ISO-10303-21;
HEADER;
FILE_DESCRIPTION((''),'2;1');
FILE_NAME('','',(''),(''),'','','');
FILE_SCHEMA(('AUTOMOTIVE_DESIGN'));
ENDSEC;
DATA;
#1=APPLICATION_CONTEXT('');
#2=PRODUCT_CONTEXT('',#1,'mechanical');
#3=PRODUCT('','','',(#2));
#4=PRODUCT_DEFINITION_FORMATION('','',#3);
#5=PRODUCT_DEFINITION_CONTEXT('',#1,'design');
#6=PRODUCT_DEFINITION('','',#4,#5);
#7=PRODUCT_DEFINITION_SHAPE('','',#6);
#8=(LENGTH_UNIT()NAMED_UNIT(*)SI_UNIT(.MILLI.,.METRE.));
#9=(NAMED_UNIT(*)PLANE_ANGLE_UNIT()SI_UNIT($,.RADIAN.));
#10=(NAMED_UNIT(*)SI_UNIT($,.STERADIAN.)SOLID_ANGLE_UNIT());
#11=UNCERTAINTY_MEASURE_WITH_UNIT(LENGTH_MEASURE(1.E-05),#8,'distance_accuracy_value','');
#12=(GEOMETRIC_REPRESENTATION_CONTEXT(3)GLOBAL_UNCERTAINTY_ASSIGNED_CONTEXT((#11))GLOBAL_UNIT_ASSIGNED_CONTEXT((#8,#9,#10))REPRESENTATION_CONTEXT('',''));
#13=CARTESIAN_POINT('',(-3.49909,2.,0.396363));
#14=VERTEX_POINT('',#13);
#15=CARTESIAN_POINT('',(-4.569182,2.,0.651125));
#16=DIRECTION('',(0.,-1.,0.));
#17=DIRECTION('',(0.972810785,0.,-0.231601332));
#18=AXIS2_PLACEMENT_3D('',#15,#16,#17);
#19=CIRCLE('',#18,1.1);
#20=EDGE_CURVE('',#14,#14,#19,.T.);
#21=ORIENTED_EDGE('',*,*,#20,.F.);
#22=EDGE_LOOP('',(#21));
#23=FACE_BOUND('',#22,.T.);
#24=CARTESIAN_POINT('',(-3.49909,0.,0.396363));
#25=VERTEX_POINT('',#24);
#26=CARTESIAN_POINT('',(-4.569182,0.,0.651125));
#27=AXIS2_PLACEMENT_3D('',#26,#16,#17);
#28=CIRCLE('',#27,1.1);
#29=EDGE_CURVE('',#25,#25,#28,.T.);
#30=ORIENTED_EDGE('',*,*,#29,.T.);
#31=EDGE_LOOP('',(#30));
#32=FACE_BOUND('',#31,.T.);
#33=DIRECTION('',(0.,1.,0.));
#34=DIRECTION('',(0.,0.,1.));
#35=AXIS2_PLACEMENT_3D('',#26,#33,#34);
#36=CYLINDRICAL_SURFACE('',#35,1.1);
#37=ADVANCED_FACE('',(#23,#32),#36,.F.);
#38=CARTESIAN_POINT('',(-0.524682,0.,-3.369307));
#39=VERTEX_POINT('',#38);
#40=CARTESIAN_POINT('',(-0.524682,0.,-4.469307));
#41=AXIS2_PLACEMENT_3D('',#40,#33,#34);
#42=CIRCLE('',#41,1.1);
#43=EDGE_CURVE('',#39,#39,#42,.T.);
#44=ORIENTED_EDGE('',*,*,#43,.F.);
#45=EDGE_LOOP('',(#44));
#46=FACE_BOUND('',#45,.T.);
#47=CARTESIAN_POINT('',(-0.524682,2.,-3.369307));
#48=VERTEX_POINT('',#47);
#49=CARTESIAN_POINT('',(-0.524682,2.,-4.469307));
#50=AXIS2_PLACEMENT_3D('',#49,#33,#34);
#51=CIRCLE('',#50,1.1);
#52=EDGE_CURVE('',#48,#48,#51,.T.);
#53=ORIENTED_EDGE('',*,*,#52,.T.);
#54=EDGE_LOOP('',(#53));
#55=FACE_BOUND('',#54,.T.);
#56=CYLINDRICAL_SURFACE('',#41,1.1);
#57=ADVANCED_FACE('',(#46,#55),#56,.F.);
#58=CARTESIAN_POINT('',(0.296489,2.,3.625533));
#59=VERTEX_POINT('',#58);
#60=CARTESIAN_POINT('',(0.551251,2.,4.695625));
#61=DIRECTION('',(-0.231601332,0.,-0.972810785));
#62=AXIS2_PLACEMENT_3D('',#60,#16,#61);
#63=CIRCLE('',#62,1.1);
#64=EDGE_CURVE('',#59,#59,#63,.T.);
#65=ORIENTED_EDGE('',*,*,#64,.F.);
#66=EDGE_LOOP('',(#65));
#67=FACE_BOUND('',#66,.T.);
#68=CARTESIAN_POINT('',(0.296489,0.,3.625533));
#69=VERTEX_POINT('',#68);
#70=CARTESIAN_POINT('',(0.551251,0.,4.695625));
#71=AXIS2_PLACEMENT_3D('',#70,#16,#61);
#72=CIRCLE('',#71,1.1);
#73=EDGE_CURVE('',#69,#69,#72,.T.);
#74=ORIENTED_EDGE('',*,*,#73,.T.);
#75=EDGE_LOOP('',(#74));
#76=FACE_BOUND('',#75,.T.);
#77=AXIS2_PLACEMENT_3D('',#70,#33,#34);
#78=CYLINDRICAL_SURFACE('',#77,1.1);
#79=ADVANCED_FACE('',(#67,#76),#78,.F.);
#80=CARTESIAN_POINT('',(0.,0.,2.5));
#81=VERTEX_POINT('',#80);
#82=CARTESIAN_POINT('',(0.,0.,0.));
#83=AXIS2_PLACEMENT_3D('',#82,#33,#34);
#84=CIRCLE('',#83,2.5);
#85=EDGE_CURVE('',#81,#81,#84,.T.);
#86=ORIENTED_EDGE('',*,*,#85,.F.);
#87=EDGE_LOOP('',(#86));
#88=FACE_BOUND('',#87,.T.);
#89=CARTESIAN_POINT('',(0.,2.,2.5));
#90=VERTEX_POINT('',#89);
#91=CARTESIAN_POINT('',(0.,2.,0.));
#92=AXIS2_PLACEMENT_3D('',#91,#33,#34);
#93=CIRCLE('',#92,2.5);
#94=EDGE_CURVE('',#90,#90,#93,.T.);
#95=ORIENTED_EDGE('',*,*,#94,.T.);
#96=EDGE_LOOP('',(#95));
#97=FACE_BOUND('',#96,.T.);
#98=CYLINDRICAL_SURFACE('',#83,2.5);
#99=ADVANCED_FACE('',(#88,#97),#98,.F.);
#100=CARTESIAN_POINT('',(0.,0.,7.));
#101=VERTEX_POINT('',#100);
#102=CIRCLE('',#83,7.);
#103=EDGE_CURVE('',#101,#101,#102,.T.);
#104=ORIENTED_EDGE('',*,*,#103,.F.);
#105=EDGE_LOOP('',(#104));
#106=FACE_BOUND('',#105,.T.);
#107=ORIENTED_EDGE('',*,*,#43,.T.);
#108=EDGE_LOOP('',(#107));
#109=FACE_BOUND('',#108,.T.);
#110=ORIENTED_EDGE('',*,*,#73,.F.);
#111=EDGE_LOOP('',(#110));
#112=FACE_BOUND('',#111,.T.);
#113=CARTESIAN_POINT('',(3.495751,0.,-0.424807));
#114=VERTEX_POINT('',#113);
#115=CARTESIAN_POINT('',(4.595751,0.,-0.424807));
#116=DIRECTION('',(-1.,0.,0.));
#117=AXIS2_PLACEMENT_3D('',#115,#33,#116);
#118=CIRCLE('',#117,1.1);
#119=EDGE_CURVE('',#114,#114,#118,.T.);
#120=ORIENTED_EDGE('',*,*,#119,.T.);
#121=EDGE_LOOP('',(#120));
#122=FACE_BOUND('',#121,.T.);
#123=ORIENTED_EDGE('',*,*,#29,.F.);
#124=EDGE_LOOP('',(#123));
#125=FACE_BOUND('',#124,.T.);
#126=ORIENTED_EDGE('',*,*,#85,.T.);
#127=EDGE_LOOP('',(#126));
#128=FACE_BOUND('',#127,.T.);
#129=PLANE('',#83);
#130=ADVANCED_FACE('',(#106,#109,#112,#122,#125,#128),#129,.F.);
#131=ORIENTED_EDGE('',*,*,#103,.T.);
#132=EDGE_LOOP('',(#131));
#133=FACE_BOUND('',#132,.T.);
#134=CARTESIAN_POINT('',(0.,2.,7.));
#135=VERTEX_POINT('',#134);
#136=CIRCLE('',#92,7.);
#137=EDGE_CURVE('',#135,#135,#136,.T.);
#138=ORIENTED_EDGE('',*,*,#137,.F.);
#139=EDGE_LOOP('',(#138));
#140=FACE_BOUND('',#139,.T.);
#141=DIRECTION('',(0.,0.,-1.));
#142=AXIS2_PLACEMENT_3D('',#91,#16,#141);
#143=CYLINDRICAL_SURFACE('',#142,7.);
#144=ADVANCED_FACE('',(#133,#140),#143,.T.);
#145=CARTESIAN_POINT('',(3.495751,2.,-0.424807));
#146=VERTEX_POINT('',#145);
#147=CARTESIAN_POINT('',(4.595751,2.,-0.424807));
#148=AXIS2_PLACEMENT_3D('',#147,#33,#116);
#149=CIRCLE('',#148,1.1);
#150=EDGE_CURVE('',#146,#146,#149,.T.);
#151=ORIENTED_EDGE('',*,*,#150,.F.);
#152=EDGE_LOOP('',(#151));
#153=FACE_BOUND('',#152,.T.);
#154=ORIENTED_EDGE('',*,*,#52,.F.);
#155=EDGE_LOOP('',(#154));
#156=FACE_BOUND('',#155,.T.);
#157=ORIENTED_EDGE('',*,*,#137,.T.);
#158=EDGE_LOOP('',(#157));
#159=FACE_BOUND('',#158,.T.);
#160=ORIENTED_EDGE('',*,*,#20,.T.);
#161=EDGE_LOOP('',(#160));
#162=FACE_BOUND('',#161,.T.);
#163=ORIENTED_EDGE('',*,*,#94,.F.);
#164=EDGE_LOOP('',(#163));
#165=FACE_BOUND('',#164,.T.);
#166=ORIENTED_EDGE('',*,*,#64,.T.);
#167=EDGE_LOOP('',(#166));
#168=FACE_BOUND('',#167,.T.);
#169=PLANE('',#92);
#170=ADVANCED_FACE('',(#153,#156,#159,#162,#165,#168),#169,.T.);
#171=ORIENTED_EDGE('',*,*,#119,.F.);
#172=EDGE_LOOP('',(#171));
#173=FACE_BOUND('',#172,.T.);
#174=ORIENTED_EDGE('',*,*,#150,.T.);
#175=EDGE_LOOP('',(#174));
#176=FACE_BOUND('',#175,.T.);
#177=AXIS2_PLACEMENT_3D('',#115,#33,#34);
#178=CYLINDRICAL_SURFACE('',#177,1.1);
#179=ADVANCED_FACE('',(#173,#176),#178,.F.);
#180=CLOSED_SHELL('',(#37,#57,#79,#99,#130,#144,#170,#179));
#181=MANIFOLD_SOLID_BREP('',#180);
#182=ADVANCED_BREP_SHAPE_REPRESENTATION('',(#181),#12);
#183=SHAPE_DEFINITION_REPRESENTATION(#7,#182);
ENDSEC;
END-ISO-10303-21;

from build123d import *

# Parameters (mm, degrees)
SKETCH_1_R                         = 7
EXTRUDE_1_DEPTH                    = 2
SKETCH_2_R                         = 1.1
CUT_EXTRUDE_1_DEPTH                = 2
PATTERN_CIRCULAR_1_COUNT           = 2
PATTERN_CIRCULAR_1_ANGLE           = 90
PATTERN_CIRCULAR_1_COPY_1_SKETCH_R = 1.1
PATTERN_CIRCULAR_1_COPY_1_DEPTH    = 2
SKETCH_3_R                         = 2.5
CUT_EXTRUDE_2_DEPTH                = 2


with BuildPart() as part:
    # 草图1 → 凸台-拉伸1 (new body)
    with BuildSketch(Plane(origin=(0, 0, 0), x_dir=(1, 0, 0), z_dir=(0, 1, 0))):
        Circle(SKETCH_1_R)
    extrude(amount=EXTRUDE_1_DEPTH)

    # 草图2 → 切除-拉伸1 (cut)
    with BuildSketch(Plane(origin=(0, 2, 0), x_dir=(1, 0, 0), z_dir=(0, 1, 0))):
        with Locations((-0.524681621, 4.469307463)):
            Circle(SKETCH_2_R)
    cut_extrude_1 = extrude(amount=-CUT_EXTRUDE_1_DEPTH, mode=Mode.SUBTRACT)

    # 镜向1: 切除-拉伸1 across plane
    add(cut_extrude_1.mirror(Plane(origin=(0.013284469, 0, 0.113158862), x_dir=(0.9931794361720326, 0, -0.11659591573036844), z_dir=(0.11659591573036844, 0, 0.9931794361720327))), mode=Mode.SUBTRACT)

    # 阵列(圆周)1: 切除-拉伸1 ×2 about axis
    pattern_circular_1_axis = Axis((0.013284469, 7.444722215, 0.113158862), (0, -1, 0))
    for i in range(1, PATTERN_CIRCULAR_1_COUNT):
        add(cut_extrude_1.rotate(pattern_circular_1_axis, i * PATTERN_CIRCULAR_1_ANGLE / (PATTERN_CIRCULAR_1_COUNT - 1)), mode=Mode.SUBTRACT)

    # 阵列(圆周)1 copy 1 sketch → 阵列(圆周)1 copy 1 (cut)
    with BuildSketch(Plane(origin=(-0.099874394, 2, 0.126443331), x_dir=(0.23160133169009495, 0, 0.9728107848699944), z_dir=(0, 1, 0))):
        with Locations((-0.524681621, -4.469307463)):
            Circle(PATTERN_CIRCULAR_1_COPY_1_SKETCH_R)
    extrude(amount=-PATTERN_CIRCULAR_1_COPY_1_DEPTH, mode=Mode.SUBTRACT)

    # 草图3 → 切除-拉伸2 (cut)
    with BuildSketch(Plane(origin=(0, 2, 0), x_dir=(1, 0, 0), z_dir=(0, 1, 0))):
        Circle(SKETCH_3_R)
    extrude(amount=-CUT_EXTRUDE_2_DEPTH, mode=Mode.SUBTRACT)


solid = part.part
